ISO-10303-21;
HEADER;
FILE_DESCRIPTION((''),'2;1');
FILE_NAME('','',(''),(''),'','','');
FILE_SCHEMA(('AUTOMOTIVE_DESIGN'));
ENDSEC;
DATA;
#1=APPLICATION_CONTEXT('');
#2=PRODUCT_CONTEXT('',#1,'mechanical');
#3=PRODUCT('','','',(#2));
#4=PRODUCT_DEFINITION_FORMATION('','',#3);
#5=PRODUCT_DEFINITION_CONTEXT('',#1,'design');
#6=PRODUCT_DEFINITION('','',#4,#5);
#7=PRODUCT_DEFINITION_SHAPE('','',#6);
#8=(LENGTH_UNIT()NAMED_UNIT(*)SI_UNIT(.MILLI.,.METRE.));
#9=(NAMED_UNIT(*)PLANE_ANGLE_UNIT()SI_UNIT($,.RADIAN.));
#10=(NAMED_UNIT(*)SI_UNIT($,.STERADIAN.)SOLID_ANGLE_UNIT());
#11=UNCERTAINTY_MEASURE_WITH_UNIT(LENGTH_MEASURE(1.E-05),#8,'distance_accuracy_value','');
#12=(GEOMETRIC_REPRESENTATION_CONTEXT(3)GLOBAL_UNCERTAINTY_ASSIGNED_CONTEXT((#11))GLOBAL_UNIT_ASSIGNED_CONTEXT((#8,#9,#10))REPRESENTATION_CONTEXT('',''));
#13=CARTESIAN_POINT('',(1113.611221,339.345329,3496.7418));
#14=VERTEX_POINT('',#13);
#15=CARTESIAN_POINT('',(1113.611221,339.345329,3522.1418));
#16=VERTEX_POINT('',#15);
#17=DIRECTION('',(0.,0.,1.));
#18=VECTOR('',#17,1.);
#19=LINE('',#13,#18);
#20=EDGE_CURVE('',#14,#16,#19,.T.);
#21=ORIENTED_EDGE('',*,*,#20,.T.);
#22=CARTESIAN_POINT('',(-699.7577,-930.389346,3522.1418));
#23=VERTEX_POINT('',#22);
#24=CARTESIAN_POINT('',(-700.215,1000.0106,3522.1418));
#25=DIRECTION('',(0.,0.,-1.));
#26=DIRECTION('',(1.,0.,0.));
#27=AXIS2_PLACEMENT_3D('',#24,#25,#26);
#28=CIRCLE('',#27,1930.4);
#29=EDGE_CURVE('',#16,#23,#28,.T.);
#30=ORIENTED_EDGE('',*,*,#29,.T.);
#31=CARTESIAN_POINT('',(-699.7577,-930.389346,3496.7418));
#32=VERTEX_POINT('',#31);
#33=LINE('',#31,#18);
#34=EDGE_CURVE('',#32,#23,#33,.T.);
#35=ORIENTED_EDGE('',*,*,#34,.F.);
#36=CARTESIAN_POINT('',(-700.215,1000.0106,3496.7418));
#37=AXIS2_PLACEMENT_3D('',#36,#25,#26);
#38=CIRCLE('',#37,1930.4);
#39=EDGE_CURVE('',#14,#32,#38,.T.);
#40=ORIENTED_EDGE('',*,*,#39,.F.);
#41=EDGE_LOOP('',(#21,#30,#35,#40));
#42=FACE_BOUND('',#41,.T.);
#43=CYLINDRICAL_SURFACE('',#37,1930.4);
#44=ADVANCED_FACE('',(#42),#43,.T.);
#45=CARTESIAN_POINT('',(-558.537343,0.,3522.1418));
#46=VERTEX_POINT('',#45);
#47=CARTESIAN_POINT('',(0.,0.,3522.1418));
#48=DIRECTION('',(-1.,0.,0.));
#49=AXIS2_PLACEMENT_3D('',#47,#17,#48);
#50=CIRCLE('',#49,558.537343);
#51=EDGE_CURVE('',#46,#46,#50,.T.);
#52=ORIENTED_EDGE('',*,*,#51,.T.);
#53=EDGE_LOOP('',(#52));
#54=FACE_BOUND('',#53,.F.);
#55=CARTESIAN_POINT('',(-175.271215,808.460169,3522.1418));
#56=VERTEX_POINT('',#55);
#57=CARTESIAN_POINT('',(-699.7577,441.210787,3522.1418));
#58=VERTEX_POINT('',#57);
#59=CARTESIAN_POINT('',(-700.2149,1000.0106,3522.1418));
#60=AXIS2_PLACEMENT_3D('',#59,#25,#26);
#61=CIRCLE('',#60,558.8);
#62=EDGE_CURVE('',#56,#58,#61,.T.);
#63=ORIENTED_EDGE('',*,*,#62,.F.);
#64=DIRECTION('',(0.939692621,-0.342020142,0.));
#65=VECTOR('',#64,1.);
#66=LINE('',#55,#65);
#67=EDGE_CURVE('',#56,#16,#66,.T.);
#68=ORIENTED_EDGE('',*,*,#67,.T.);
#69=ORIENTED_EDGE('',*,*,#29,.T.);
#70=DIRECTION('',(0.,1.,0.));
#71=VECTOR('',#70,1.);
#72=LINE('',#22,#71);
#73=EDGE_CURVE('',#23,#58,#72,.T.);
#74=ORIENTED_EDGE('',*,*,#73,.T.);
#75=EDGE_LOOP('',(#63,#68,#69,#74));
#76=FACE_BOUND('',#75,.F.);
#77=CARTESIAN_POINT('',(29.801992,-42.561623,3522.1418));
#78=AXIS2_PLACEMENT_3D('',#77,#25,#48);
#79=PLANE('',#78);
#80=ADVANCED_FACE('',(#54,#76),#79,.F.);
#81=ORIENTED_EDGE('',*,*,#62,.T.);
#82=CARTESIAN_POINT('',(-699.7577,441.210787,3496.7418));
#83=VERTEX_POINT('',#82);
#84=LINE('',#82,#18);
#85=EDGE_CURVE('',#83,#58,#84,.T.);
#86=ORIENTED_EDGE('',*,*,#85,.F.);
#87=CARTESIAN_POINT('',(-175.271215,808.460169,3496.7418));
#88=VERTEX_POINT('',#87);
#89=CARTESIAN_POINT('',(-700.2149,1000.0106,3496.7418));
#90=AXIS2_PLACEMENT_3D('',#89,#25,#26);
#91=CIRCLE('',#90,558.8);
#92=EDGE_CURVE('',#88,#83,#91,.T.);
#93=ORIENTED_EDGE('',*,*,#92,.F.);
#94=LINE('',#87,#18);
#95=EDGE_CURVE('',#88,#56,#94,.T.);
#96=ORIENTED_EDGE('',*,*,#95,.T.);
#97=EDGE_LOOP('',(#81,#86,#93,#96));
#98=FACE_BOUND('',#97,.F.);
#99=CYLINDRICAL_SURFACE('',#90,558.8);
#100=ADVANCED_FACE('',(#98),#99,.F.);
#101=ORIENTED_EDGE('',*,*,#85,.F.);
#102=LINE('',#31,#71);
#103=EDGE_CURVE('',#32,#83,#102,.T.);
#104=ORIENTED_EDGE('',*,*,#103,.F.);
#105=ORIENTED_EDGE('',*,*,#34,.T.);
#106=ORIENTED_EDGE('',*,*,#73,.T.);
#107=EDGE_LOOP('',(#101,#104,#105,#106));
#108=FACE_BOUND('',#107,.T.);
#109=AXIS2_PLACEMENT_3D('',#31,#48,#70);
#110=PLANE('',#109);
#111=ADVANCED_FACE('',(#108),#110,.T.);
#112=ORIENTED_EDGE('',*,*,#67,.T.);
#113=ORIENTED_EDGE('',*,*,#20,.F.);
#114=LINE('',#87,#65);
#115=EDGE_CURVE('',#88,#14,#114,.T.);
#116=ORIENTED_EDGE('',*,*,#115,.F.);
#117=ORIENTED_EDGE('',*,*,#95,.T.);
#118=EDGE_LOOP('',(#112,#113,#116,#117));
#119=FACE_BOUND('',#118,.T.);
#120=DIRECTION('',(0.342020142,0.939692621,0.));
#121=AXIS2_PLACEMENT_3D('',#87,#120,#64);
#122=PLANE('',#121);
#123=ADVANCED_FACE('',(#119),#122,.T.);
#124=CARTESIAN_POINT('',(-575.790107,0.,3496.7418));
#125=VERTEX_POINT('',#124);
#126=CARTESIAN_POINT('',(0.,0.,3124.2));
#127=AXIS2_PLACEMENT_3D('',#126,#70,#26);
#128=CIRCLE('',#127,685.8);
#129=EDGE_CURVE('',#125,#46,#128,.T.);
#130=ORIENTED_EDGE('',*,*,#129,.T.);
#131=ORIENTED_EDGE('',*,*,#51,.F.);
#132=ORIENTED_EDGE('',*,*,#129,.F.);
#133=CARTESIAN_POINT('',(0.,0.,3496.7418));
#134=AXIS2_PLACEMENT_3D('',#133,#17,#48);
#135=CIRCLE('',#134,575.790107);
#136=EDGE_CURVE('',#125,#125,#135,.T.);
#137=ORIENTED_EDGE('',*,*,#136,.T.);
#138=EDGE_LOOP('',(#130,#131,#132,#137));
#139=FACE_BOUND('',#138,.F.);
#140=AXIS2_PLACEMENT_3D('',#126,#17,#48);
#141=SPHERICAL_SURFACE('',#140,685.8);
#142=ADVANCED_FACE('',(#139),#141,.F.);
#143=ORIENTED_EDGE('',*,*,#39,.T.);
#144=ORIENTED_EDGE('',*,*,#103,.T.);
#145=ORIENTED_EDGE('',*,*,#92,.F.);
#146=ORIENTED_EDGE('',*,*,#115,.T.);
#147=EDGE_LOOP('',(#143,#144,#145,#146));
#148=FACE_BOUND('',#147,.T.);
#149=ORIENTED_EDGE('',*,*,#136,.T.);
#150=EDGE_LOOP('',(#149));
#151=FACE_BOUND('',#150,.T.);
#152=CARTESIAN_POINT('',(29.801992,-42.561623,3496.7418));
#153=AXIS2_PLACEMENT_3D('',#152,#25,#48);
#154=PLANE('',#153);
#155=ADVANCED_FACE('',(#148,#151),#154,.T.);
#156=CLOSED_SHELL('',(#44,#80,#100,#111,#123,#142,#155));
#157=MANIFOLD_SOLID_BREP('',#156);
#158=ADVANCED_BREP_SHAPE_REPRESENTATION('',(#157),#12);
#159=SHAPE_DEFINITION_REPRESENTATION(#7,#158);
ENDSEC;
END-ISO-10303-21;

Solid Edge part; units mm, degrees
sketch "Sketch1" plane through (0, 0, 0) normal (0, -1, 0) x (1, 0, 0)
  line L0 (-647.7, 0) -> (-647.7, 3349.6026)
  line L1 (0, 0) -> (0, 3810)
  line L2 (0, 0) -> (-647.7, 0)
  arc A0 (-647.7, 3349.6026) -> (0, 3810) centre (0, 3124.2) cw
revolve "RevolvedProtrusion1" add sketch "Sketch1" angle 360 about axis through (0, 0, 0) along (0, 0, 1)
sketch "Sketch2" plane through (0, 0, 3496.7418) normal (0, 0, 1) x (1, 0, 0)
  arc A0 (1113.6113, 339.3453) -> (-699.7577, -930.3894) centre (-700.215, 1000.0106) cw
  line L0 (-699.7577, -930.3894) -> (-699.7577, 441.2108)
  arc A1 (-175.2713, 808.4602) -> (-699.7577, 441.2108) centre (-700.2149, 1000.0106) cw
  line L1 (-175.2713, 808.4602) -> (1113.6113, 339.3453)
extrude "ExtrudedProtrusion_2" add sketch "Sketch2" along normal blind 25.4
sketch "Sketch3" plane through (0, 0, 0) normal (0, -1, 0) x (1, 0, 0)
  line L0 (-647.7, 0) -> (-647.7, 3349.6026)
  line L1 (0, 0) -> (0, 3810)
  line L2 (0, 0) -> (-647.7, 0)
  arc A0 (-647.7, 3349.6026) -> (0, 3810) centre (0, 3124.2) cw
revolve "RevolvedCutout1" cut sketch "Sketch3" angle 360 about axis through (0, 0, 0) along (0, 0, 1)
